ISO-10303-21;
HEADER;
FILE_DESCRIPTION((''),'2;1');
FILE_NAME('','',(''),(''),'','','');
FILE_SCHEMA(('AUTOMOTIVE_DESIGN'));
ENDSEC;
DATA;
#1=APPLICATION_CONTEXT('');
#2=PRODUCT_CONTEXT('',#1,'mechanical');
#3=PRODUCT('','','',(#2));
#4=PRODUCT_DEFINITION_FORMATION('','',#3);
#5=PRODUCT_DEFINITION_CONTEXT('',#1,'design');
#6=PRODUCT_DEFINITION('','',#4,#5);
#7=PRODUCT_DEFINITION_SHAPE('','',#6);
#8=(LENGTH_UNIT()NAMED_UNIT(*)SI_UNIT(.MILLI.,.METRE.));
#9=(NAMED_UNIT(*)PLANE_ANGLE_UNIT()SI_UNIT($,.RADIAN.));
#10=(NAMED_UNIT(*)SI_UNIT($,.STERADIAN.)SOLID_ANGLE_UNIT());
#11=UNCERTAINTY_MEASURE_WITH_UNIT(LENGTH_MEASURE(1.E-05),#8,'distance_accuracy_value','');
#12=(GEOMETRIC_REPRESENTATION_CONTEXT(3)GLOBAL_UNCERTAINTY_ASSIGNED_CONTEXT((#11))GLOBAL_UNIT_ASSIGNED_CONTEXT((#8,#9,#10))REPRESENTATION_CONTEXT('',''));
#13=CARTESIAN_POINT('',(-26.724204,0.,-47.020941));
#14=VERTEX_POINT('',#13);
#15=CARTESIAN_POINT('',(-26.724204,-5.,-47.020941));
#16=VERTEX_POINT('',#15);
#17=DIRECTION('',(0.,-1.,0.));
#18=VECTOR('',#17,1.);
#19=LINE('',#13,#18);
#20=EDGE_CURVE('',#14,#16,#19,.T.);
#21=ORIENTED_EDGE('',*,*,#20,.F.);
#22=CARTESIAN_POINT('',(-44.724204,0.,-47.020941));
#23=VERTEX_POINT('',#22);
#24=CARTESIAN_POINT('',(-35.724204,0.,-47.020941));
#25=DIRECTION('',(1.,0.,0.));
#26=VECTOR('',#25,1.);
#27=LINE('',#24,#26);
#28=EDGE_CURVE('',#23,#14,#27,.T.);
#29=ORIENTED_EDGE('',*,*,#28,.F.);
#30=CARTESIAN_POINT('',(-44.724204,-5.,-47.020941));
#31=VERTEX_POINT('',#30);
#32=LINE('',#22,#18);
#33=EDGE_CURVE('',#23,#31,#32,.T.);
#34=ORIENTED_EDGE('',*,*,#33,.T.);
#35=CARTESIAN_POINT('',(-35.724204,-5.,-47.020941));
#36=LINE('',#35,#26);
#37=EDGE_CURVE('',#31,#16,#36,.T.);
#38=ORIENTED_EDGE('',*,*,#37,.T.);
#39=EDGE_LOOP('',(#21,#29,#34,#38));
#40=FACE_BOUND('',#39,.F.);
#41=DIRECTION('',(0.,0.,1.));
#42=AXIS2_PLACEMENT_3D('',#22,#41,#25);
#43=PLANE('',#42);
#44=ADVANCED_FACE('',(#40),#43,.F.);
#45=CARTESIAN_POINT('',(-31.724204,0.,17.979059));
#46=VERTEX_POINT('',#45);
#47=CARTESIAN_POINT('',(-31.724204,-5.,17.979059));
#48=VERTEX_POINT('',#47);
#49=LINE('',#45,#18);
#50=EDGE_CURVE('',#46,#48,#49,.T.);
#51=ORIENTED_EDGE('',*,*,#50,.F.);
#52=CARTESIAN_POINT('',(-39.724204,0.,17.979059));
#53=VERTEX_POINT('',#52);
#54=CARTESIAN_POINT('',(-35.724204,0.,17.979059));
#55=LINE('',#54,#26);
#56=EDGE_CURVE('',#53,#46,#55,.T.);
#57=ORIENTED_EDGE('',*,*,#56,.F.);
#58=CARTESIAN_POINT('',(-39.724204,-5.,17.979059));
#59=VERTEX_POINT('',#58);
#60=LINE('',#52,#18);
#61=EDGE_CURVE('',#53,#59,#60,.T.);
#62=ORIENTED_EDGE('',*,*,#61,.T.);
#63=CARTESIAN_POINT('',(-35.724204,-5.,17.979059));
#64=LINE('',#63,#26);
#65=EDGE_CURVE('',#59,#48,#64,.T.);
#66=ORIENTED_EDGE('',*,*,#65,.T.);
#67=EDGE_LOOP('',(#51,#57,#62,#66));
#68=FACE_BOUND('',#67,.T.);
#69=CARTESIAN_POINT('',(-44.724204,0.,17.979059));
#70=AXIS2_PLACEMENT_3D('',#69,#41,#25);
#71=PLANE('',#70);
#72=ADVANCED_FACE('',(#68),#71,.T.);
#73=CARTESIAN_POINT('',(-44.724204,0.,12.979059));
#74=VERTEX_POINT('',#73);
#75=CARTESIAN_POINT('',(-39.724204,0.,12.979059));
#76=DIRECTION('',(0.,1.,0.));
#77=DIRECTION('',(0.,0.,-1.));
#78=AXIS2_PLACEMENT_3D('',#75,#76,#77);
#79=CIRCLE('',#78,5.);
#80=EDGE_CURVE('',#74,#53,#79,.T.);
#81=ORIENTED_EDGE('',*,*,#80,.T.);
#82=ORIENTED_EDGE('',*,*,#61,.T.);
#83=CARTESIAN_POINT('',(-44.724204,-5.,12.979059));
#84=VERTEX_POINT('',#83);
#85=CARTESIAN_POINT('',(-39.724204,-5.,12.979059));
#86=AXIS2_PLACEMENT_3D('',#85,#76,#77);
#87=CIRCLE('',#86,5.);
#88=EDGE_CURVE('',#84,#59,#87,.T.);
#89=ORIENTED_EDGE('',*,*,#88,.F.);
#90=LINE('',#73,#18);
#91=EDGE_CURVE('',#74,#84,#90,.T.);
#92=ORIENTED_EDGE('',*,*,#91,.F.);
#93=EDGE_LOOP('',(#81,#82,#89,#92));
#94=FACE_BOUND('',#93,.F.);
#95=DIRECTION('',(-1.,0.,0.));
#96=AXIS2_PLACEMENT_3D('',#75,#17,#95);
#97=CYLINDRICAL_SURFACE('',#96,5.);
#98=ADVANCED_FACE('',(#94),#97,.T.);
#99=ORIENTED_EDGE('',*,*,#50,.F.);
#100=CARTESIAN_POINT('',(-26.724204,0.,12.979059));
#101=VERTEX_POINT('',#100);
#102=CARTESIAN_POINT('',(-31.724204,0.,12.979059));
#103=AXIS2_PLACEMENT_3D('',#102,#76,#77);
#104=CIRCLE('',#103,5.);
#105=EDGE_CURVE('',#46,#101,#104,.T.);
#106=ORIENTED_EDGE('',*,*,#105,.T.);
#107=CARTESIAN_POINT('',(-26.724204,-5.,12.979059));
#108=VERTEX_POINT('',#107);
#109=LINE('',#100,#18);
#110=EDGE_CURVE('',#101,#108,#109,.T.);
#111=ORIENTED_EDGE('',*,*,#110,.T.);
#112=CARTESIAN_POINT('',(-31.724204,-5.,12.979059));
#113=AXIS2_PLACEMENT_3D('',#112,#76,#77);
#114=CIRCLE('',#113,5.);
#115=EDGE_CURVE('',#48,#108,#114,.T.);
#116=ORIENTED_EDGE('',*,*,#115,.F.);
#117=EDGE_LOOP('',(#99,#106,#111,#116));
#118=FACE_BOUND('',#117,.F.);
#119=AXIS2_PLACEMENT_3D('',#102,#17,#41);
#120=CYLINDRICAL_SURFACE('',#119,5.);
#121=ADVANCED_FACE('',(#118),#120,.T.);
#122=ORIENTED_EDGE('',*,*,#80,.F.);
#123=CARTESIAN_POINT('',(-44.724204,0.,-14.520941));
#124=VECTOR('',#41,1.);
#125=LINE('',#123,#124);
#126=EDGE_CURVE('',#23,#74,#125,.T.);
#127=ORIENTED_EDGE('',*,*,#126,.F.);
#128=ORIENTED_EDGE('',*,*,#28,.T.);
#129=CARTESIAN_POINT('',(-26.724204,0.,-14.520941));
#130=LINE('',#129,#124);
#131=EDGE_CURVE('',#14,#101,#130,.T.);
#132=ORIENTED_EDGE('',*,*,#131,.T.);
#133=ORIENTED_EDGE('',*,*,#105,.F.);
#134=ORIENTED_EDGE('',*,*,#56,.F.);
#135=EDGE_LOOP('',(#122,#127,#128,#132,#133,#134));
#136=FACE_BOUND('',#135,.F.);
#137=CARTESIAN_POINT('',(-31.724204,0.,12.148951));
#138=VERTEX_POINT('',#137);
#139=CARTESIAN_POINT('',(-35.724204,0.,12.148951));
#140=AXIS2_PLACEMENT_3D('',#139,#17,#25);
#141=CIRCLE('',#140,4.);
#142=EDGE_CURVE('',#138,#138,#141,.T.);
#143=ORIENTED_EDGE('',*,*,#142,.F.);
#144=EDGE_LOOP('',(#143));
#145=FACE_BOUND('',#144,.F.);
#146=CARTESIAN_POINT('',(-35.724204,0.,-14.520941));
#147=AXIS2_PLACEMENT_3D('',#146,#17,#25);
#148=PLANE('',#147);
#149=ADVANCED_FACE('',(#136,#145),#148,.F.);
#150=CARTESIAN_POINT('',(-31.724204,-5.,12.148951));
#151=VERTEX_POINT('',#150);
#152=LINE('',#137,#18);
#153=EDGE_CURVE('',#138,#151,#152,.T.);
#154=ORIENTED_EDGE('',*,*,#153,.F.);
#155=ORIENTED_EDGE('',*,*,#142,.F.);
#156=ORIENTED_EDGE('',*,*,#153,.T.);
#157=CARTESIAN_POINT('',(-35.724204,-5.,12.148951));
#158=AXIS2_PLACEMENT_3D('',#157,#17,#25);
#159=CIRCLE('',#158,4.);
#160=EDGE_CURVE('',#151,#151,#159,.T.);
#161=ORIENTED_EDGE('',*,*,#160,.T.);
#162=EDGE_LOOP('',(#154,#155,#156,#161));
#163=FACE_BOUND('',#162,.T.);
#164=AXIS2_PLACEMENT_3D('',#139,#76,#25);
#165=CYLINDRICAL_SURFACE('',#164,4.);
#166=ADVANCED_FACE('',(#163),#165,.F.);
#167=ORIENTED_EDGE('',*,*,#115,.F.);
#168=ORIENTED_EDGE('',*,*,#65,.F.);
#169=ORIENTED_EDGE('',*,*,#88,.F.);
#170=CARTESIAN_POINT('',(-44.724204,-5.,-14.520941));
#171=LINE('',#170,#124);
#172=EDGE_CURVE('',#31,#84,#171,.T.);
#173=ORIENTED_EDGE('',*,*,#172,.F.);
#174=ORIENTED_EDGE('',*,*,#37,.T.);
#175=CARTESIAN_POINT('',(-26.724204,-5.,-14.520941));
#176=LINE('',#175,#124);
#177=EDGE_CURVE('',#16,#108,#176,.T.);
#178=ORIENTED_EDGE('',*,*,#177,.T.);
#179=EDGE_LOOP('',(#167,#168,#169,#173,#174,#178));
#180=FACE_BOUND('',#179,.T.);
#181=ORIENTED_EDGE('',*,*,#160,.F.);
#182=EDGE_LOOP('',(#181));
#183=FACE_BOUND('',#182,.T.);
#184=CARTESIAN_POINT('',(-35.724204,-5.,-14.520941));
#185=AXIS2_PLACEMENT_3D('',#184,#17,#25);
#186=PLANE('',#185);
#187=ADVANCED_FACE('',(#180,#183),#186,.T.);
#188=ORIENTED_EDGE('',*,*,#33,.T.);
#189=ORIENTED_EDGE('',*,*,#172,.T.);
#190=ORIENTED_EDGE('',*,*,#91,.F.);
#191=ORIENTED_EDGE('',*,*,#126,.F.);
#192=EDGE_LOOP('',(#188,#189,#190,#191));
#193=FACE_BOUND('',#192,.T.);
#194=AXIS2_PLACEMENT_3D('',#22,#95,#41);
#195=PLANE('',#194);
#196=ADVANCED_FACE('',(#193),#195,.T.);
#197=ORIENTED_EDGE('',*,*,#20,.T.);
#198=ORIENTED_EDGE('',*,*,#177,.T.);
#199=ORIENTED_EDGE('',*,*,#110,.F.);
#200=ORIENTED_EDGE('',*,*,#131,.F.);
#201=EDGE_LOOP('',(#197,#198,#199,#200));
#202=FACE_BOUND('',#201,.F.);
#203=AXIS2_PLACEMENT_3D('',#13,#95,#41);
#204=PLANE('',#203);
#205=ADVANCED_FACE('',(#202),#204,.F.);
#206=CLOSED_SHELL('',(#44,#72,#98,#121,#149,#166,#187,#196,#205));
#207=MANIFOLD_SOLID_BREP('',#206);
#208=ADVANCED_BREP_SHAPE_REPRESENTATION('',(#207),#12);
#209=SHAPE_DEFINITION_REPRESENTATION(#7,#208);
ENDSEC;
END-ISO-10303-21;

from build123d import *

# Parameters (mm, degrees)
F0_W     = 18
F0_H     = 65
F0_R     = 4
F1_DEPTH = 5
F2_R     = 5


with BuildPart() as f1:
    # F0 (on Front) → F1 (new body)
    with BuildSketch(Plane.XZ):
        with Locations((-35.724204, -14.520941)):
            Rectangle(F0_W, F0_H)
        with Locations((-35.724204, 12.148951)):
            Circle(F0_R, mode=Mode.SUBTRACT)
    extrude(amount=F1_DEPTH)

    # F2
    f2_edges = [f1.edges().sort_by_distance(p)[0] for p in [
        (-44.724204, -2.5, 17.979059),
        (-26.724204, -2.5, 17.979059),
    ]]
    fillet(f2_edges, radius=F2_R)


solid = f1.part
